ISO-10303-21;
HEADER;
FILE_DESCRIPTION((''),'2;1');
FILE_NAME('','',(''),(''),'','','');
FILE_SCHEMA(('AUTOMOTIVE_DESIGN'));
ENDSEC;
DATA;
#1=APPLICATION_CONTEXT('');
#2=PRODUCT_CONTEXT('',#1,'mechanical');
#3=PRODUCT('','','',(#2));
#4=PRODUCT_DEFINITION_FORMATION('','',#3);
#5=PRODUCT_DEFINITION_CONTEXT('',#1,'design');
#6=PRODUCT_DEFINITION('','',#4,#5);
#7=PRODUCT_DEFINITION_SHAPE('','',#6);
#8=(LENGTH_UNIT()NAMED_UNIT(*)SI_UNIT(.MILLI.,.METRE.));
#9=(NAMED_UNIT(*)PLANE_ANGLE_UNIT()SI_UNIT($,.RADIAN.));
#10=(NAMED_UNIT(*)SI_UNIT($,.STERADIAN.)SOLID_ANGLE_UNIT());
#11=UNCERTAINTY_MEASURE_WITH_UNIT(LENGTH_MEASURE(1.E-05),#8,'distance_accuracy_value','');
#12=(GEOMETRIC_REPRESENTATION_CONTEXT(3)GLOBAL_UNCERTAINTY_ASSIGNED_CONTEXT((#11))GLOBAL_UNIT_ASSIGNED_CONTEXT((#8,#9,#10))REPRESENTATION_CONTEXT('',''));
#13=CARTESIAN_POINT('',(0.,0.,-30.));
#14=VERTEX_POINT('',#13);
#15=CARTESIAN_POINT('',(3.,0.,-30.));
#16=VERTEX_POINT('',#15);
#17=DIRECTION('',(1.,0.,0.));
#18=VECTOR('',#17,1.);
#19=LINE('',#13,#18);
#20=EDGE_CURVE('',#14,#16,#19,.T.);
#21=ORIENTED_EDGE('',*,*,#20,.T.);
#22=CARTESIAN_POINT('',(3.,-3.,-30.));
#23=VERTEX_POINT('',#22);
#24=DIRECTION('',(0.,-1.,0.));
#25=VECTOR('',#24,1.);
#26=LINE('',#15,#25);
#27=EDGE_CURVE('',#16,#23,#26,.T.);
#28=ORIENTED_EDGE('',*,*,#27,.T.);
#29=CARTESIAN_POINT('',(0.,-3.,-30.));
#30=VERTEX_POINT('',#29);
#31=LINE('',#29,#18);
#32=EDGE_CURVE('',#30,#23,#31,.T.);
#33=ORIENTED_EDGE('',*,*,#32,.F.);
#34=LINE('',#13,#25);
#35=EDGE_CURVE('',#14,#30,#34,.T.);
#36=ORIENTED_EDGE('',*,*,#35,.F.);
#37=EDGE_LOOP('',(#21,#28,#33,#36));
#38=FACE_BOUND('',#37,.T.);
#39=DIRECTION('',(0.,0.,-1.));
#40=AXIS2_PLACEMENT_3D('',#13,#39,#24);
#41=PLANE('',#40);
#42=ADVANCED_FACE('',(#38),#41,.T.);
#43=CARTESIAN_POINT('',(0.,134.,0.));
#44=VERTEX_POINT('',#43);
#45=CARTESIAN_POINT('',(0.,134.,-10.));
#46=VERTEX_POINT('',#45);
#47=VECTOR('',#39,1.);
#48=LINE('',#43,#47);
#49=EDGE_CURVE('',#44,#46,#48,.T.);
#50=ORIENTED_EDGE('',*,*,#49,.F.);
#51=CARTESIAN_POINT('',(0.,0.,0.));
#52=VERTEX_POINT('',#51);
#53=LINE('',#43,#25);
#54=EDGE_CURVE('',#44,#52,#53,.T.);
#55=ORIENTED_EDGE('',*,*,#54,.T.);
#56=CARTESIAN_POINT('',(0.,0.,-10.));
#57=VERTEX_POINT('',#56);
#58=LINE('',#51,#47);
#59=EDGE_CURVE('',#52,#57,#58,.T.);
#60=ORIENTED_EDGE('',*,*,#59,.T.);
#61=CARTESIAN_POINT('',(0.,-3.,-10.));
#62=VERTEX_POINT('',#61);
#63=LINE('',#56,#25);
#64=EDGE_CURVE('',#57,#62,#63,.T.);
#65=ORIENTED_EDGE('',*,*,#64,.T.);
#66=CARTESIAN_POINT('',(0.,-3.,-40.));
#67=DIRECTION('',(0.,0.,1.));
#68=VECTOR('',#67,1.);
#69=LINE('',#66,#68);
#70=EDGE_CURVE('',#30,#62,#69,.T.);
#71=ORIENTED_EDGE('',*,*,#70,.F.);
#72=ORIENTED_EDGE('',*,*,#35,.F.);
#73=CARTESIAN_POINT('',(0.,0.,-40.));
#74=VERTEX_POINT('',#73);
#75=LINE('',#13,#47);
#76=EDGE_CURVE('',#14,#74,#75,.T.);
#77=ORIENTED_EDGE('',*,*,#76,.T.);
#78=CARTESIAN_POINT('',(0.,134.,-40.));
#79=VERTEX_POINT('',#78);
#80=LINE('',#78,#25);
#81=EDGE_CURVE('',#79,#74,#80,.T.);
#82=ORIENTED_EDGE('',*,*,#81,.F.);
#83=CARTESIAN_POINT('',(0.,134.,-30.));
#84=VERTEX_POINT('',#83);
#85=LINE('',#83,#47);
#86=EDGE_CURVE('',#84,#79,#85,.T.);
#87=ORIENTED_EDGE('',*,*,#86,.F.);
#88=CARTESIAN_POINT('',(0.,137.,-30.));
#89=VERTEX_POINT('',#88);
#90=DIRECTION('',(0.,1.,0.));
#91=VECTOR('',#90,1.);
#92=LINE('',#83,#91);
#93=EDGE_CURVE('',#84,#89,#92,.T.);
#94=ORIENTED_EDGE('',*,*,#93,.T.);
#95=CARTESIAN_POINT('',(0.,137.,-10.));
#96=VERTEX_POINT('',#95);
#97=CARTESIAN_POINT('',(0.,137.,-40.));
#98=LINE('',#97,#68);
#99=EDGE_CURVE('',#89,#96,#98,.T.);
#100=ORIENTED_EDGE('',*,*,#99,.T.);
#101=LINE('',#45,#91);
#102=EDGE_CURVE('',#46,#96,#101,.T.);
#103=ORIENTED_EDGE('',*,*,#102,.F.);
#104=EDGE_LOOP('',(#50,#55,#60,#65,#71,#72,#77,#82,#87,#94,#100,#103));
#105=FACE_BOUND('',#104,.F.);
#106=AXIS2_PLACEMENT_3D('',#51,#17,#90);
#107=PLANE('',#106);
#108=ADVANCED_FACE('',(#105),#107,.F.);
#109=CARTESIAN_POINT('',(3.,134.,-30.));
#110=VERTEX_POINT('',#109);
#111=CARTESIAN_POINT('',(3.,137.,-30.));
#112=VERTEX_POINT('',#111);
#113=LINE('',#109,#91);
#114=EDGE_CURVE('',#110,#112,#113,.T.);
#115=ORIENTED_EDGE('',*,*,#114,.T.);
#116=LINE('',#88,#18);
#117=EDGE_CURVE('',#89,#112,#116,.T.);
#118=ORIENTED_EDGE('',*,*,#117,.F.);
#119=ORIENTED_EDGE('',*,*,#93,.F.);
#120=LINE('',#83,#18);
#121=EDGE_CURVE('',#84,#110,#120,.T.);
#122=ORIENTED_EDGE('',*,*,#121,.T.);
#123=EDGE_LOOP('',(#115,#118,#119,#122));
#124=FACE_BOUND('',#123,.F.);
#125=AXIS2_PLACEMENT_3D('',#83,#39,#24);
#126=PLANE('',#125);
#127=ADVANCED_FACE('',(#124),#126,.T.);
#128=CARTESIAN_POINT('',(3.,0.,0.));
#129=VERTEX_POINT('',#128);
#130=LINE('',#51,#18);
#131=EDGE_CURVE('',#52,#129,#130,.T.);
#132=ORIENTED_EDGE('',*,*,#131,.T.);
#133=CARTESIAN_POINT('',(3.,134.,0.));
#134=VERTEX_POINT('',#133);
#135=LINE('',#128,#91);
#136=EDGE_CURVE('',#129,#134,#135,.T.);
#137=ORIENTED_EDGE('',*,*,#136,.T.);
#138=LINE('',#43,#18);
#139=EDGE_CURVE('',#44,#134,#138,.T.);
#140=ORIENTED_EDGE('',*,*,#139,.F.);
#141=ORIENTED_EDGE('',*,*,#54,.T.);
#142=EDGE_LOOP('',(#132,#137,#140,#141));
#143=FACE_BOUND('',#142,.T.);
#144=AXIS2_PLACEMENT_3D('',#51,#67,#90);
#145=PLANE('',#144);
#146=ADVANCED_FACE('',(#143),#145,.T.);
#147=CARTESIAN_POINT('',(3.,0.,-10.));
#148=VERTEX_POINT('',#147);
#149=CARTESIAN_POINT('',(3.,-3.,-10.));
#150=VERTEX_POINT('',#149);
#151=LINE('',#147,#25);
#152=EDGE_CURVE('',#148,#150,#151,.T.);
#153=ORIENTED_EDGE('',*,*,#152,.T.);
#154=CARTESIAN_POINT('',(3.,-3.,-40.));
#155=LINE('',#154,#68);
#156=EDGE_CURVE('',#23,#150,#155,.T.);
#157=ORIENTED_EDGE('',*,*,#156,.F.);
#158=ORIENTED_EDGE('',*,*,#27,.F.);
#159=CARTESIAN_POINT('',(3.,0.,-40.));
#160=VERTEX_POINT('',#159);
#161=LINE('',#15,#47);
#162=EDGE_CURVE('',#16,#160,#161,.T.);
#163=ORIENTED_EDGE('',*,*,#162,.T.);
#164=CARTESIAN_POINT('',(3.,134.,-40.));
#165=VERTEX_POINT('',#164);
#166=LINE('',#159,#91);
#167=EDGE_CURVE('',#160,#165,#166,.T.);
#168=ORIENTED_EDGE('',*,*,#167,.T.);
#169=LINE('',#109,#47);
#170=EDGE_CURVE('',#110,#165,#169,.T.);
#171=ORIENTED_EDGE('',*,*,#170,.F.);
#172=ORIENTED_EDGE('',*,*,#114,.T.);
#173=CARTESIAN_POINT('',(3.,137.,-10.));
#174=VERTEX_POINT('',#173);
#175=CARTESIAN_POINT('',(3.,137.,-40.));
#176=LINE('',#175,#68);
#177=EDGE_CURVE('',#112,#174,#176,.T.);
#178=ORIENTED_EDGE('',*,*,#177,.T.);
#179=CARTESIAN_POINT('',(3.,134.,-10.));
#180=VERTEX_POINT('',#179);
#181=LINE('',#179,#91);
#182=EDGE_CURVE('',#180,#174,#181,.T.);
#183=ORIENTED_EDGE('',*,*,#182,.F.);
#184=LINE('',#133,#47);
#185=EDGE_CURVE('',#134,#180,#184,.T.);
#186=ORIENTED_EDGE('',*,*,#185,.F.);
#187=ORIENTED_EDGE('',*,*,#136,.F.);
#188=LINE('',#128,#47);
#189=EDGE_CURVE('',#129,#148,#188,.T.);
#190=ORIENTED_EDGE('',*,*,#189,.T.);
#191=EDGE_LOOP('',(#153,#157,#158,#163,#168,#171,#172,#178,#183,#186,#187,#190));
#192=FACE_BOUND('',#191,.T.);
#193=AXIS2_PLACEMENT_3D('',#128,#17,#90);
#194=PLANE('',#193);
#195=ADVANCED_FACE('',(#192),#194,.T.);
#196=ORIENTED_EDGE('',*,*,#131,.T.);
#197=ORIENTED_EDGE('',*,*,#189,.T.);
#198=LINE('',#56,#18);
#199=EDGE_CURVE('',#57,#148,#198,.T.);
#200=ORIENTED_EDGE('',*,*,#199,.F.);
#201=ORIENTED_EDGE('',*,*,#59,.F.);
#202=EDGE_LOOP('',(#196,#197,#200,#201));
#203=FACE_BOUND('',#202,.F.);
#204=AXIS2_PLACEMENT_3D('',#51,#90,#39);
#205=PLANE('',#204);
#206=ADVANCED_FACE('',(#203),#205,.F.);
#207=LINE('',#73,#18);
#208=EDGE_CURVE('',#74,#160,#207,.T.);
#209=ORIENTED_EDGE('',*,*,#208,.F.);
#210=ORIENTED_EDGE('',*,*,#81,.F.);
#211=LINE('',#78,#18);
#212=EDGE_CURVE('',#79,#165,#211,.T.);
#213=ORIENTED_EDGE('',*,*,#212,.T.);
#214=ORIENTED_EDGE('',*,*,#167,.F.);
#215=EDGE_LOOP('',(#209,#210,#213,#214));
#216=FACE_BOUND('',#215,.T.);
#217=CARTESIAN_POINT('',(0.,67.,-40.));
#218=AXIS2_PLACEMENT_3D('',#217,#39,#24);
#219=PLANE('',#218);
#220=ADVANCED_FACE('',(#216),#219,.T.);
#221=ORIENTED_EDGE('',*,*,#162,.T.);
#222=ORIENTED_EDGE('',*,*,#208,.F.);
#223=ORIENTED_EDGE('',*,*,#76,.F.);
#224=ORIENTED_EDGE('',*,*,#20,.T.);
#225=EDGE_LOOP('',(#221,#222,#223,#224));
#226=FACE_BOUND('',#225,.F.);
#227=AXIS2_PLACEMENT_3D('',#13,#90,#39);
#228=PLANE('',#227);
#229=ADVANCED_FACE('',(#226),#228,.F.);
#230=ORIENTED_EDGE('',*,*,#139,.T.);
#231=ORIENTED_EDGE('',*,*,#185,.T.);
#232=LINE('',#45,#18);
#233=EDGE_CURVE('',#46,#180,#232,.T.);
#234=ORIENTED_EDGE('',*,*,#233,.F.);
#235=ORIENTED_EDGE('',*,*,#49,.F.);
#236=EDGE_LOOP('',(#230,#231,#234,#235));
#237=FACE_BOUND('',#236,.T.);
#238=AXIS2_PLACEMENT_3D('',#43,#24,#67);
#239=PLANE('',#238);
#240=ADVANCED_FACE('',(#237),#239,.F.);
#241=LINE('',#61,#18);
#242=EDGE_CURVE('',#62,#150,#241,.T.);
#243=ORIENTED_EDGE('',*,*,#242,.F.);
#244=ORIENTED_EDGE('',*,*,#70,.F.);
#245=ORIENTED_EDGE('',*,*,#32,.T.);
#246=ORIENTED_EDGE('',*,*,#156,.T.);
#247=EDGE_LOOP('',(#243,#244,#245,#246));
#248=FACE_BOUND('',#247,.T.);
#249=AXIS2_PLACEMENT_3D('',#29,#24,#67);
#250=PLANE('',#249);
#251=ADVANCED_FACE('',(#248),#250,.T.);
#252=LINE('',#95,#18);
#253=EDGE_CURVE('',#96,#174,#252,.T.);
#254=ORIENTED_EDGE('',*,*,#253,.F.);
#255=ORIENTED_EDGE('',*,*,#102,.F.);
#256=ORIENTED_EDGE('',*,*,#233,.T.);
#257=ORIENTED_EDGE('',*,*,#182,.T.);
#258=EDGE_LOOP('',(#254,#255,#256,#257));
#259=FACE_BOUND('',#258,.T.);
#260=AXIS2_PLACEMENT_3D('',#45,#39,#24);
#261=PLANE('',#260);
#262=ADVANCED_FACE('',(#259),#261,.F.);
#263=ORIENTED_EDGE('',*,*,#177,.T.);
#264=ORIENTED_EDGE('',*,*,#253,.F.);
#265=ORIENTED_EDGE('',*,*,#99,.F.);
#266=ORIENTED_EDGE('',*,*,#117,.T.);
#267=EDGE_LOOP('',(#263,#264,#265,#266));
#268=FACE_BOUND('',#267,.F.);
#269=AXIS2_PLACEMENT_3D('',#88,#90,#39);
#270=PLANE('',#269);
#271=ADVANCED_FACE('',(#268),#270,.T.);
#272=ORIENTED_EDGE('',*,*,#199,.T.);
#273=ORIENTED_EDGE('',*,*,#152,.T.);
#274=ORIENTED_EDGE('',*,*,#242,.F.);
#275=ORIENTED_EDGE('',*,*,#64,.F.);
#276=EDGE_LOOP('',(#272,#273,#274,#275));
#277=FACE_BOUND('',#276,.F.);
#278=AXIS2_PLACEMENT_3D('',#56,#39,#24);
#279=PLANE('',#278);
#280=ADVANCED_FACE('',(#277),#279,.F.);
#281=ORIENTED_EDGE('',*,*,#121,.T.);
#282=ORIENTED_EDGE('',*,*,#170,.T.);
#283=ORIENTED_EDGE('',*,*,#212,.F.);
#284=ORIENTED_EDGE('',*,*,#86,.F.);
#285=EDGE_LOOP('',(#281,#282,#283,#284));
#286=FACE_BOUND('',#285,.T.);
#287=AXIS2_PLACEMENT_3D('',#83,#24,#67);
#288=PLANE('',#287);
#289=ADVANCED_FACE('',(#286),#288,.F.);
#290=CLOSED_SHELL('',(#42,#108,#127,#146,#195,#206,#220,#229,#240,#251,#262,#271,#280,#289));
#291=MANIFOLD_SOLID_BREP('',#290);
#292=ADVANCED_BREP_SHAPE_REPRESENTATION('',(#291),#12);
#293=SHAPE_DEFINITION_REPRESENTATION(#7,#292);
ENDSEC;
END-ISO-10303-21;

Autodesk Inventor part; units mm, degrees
ref_plane "YZ Plane" through (0, 0, 0) normal (1, 0, 0) x (0, 1, 0)
ref_plane "XZ Plane" through (0, 0, 0) normal (0, 1, 0) x (-1, 0, 0)
ref_plane "XY Plane" through (0, 0, 0) normal (0, 0, 1) x (1, 0, 0)
sketch "Sketch1" plane through (0, 0, 0) normal (1, 0, 0) x (0, 1, 0)
  line L0 (0, 0) -> (-3, 0)
  line L1 (-3, 0) -> (67, 0)
  line L2 (67, 0) -> (67, -40)
  line L3 (67, -40) -> (-3, -40)
  line L4 (-3, -40) -> (-3, 0)
  line L5 (0, 0) -> (0, -10)
  line L6 (0, -10) -> (0, -30)
  line L7 (0, -30) -> (0, -40)
  line L8 (0, -30) -> (-3, -30)
  line L9 (0, -10) -> (-3, -10)
  dimension "d0" = 3
  dimension "d1" = 70
  dimension "d2" = 40
  dimension "d3" = 10
  dimension "d4" = 20
extrude "Extrusion1" add sketch "Sketch1" along normal blind 3 contours L1 L2 L3 L7 L6 L5 | L6 L8 L4 L9
mirror "Mirror1" about plane through (0, 67, -40) normal (0, 1, 0) of "Extrusion1"
properties part number "ACHTERRUIT"
